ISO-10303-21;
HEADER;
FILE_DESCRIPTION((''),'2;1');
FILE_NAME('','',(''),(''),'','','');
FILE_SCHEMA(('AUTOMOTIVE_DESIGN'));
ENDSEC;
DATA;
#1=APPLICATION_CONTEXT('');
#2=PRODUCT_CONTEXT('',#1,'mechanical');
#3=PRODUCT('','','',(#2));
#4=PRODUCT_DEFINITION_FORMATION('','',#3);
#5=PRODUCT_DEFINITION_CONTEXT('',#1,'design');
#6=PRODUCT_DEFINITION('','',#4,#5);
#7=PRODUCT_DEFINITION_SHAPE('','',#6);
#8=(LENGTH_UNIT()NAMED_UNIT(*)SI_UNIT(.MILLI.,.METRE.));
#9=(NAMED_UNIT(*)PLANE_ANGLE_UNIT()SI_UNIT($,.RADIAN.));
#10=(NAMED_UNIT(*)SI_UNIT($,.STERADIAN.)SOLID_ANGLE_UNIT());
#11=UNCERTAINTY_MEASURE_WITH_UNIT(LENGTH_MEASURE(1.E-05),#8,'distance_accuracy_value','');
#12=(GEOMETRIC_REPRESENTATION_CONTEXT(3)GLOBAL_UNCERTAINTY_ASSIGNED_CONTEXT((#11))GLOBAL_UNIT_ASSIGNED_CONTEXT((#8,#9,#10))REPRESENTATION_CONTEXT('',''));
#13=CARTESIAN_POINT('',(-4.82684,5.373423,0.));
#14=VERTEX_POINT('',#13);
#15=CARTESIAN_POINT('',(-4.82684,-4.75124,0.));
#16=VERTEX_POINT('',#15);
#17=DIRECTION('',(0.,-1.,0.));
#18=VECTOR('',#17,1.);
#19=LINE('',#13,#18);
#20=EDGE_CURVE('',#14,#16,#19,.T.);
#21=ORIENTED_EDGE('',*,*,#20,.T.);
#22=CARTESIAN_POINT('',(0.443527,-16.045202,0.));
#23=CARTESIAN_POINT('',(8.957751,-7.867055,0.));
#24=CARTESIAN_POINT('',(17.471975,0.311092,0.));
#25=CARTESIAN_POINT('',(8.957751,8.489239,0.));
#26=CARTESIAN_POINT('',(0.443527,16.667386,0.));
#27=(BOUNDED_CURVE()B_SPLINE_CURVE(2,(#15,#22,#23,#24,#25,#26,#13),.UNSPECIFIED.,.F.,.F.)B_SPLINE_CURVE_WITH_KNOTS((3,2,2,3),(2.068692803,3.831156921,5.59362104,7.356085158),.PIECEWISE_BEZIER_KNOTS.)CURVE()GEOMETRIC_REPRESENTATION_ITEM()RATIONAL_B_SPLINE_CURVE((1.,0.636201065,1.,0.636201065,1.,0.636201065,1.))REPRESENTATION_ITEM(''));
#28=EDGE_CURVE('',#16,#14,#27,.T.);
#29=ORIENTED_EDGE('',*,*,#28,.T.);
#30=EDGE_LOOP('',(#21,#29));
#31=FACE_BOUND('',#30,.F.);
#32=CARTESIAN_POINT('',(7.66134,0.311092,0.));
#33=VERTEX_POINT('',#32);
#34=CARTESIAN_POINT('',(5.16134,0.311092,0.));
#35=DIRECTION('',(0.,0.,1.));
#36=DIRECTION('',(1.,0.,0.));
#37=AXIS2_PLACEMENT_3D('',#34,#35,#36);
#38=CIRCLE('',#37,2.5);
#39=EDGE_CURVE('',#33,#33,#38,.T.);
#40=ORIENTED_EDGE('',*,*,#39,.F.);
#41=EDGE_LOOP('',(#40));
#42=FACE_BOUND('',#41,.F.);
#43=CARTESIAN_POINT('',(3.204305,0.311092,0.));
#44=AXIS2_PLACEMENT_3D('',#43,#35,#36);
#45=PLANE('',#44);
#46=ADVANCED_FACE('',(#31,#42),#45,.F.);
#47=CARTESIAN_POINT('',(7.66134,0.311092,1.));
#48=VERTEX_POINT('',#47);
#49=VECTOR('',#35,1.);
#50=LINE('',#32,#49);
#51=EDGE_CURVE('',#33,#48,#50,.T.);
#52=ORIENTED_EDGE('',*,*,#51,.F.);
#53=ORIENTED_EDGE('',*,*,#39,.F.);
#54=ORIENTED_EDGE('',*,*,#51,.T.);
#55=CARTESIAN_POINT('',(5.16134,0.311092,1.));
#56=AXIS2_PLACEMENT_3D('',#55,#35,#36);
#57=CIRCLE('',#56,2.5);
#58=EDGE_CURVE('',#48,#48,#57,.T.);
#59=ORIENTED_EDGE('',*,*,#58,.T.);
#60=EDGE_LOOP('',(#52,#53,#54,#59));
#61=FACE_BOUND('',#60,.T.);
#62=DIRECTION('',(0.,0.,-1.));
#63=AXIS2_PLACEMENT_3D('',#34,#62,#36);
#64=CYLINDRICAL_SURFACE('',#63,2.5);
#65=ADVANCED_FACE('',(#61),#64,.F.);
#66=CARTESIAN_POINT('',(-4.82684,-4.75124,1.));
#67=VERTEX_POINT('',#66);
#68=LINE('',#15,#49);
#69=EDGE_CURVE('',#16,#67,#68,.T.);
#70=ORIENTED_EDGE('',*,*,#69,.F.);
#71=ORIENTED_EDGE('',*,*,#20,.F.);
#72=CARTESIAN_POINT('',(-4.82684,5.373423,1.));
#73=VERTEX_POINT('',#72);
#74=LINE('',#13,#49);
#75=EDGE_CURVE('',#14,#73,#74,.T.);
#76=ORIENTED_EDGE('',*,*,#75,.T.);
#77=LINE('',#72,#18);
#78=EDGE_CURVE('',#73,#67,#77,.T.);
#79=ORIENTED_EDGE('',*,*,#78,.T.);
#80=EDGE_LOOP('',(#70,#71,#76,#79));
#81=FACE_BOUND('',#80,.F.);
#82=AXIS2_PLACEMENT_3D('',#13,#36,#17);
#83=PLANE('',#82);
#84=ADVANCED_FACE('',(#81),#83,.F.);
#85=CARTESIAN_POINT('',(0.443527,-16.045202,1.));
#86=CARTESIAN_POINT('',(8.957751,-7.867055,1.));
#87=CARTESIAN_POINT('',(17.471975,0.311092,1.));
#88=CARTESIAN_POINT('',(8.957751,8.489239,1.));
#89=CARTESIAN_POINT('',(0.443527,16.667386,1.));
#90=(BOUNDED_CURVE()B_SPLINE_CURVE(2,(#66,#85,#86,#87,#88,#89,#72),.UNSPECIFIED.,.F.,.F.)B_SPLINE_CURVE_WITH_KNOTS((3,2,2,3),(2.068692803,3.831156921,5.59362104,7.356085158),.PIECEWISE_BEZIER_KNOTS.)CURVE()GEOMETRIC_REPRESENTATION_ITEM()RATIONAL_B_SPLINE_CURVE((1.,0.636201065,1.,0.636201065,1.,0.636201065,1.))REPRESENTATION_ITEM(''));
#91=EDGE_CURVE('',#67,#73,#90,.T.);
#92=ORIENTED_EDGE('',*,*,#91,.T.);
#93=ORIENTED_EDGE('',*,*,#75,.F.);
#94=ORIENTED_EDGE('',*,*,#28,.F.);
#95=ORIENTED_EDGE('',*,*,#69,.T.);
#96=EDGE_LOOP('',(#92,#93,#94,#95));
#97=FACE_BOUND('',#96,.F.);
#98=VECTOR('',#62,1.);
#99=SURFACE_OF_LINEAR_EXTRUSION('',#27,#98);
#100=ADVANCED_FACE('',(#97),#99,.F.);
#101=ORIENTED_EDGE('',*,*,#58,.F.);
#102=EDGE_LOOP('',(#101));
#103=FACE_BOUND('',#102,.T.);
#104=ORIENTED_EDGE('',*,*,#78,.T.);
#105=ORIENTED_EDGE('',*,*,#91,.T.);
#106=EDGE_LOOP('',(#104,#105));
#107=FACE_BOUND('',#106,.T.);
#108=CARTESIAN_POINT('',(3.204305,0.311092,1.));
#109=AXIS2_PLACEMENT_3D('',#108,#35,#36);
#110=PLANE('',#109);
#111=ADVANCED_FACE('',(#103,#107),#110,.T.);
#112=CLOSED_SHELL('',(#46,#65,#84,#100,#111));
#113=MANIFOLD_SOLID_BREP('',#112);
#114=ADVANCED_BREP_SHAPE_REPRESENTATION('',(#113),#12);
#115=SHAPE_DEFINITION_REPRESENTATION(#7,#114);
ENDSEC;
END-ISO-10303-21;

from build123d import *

# Parameters (mm, degrees)
F0_R     = 2.5
F1_DEPTH = 1


with BuildPart() as f1:
    # F0 (on Top) → F1 (new body)
    with BuildSketch(Plane.XY):
        with BuildLine():
            Line((-4.8268395689, 0.2898527145), (-4.8268395689, -4.7512399855))
            add(Edge.make_bspline(
                [(-4.8268395689, -4.7512399855), (0.4435265013, -16.0452022697), (8.9577509566, -7.8670552722), (17.4719754119, 0.3110917253), (8.9577509566, 8.4892387228), (0.4435265013, 16.6673857203), (-4.8268395689, 5.3734234361)],
                knots=[2.0686928028, 2.0686928028, 2.0686928028, 3.8311569212, 3.8311569212, 5.5936210396, 5.5936210396, 7.356085158, 7.356085158, 7.356085158], degree=2, weights=[1, 0.6362010649, 1, 0.6362010649, 1, 0.6362010649, 1]))
            Line((-4.8268395689, 5.3734234361), (-4.8268395689, 0.3323307361))
            Line((-4.8268395689, 0.3323307361), (-4.8268395689, 0.2898527145))
        make_face()
        with Locations((5.161339934, 0.3110917253)):
            Circle(F0_R, mode=Mode.SUBTRACT)
    extrude(amount=F1_DEPTH)


solid = f1.part
